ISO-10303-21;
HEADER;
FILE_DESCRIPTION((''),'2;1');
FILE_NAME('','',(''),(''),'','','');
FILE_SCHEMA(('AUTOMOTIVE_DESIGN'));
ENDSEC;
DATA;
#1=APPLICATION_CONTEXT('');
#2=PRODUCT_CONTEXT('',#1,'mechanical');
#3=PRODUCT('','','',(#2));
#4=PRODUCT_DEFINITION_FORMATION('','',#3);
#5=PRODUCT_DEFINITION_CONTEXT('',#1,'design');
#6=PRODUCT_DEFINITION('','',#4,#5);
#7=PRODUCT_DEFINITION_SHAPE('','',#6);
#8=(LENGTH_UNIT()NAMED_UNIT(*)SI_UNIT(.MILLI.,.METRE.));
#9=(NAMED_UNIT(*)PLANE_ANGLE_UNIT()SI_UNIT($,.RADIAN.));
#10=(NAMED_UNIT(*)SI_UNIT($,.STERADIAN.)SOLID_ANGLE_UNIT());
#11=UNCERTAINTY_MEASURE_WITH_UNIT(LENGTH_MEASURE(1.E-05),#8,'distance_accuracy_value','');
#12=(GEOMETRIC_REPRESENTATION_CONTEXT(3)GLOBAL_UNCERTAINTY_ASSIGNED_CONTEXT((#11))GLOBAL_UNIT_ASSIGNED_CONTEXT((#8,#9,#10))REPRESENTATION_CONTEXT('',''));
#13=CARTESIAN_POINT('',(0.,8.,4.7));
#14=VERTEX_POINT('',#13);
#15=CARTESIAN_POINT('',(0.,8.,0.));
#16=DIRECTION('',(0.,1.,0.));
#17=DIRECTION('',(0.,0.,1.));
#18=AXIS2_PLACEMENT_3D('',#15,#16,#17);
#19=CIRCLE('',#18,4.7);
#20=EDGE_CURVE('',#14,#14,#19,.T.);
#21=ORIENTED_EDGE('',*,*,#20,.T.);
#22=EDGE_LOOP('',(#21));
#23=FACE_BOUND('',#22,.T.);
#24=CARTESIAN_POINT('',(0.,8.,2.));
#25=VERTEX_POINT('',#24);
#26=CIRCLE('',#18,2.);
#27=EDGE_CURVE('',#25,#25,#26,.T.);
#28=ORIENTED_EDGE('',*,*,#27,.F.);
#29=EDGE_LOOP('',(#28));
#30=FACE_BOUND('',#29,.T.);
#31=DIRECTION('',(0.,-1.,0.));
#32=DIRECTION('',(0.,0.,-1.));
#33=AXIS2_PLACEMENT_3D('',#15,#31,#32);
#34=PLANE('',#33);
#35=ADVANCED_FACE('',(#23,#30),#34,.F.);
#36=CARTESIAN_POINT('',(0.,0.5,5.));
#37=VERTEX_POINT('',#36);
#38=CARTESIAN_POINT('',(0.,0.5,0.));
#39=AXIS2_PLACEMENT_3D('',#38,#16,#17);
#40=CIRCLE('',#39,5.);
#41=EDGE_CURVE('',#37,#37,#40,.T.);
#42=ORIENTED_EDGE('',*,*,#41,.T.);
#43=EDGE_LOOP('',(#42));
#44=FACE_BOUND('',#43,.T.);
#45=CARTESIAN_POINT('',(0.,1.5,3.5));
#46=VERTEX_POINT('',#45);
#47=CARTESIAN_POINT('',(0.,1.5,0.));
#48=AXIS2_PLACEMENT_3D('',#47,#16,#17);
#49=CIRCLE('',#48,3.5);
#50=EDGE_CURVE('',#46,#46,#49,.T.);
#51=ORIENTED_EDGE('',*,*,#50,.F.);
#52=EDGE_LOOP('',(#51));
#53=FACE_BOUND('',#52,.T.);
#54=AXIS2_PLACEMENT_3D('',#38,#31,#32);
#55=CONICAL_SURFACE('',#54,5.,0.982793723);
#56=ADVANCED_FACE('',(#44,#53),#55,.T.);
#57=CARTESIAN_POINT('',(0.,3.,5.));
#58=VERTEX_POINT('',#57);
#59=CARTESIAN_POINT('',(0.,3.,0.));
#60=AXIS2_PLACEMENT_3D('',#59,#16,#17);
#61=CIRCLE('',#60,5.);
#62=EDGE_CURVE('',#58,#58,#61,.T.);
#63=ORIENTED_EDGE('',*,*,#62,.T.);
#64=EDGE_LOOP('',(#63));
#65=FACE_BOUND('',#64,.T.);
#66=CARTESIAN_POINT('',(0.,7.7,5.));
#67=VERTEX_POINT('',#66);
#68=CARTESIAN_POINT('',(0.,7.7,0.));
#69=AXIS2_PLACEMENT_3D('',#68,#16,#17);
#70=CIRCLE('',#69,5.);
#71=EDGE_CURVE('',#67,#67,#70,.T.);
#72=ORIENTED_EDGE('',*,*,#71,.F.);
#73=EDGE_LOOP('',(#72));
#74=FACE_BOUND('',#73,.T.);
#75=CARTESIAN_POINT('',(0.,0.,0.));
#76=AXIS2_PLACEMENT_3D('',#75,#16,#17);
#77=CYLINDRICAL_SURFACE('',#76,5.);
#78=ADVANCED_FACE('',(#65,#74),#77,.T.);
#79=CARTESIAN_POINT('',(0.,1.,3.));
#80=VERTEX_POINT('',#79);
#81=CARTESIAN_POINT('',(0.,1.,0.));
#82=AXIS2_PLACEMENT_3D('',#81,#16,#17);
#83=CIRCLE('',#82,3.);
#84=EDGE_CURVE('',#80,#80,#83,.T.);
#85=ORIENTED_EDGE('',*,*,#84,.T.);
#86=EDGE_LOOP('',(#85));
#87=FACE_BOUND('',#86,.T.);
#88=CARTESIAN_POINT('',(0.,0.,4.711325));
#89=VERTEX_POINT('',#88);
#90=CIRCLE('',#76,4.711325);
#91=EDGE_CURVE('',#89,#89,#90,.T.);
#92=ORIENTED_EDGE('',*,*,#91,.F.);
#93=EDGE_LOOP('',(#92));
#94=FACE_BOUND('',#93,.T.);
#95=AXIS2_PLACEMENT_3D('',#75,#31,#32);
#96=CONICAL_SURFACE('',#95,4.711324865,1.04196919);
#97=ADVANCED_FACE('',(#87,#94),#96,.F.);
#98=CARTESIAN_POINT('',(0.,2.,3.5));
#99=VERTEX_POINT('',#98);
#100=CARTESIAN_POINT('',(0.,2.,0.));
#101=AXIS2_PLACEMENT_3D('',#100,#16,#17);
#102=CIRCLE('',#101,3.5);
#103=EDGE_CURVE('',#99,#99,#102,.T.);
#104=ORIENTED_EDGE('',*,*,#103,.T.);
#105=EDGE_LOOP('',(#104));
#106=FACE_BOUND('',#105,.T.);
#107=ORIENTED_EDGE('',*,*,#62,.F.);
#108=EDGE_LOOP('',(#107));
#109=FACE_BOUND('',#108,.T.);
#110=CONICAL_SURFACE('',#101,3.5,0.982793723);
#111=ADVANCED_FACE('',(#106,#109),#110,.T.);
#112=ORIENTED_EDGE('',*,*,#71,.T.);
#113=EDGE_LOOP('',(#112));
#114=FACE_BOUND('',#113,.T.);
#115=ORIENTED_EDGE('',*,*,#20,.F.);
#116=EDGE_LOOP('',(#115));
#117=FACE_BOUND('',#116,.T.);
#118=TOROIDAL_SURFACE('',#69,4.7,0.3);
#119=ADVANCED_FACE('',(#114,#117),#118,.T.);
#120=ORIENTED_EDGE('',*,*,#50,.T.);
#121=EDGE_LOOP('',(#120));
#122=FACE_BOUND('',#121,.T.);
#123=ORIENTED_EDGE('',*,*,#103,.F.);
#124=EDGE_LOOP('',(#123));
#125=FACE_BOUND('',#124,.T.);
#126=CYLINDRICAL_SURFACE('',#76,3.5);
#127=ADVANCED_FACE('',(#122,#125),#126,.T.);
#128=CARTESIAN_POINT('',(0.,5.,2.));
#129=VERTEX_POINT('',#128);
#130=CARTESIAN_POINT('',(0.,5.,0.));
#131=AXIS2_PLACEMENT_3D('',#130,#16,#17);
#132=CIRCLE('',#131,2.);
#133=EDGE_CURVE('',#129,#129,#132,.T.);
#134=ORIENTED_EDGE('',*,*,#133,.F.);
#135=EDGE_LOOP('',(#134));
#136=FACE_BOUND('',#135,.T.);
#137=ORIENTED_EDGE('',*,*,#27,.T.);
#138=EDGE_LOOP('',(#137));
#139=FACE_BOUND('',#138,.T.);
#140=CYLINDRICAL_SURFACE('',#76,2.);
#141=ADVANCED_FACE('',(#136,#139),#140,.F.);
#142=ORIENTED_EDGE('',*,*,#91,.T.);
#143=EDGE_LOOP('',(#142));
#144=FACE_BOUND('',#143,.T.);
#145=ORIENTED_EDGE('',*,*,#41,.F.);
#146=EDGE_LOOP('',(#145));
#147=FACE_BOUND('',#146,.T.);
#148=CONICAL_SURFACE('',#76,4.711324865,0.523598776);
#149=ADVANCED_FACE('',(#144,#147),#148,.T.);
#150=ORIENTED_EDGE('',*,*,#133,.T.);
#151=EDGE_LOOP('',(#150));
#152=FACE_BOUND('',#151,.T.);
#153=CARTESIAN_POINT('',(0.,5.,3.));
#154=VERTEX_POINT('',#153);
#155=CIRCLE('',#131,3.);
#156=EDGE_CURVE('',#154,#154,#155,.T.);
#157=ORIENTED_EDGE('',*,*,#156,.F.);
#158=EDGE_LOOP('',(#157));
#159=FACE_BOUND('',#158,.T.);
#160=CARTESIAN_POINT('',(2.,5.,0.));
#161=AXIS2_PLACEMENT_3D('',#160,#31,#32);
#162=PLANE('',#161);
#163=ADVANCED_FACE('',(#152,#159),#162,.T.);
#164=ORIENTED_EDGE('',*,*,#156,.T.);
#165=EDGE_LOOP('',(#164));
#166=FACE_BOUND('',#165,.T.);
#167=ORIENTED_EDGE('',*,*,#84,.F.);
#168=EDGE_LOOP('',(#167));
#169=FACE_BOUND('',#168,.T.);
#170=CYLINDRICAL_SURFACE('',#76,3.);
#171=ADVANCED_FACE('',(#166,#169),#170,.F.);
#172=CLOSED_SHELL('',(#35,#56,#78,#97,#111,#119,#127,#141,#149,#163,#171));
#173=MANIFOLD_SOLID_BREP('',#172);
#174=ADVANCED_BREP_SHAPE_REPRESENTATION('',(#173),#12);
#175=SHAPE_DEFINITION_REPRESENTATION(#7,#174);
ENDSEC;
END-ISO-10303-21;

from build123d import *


with BuildPart() as part:
    # Sketch1 → Revolve1 (revolve)
    with BuildSketch(Plane.XY):
        with BuildLine():
            Line((0, 8), (4.7, 8))
            ThreePointArc((4.7, 8), (4.912132034, 7.912132034), (5, 7.7))
            Line((5, 7.7), (5, 3))
            Line((5, 3), (3.5, 2))
            Line((3.5, 2), (3.5, 1.5))
            Line((3.5, 1.5), (5, 0.5))
            Line((5, 0.5), (4.711324865, 0))
            Line((4.711324865, 0), (0, 0))
            Line((0, 0), (0, 8))
        make_face()
    revolve(axis=Axis((0, 0, 0), (0, 1, 0)))

    # Sketch2 → Cut-Revolve1 (revolve, cut)
    with BuildSketch(Plane.XY):
        Polygon((0, 8), (2, 8), (2, 5), (3, 5), (3, 1), (4.711324865, 0), (0, 0), align=None)
    revolve(axis=Axis((0, 0, 0), (0, 1, 0)), mode=Mode.SUBTRACT)


solid = part.part
